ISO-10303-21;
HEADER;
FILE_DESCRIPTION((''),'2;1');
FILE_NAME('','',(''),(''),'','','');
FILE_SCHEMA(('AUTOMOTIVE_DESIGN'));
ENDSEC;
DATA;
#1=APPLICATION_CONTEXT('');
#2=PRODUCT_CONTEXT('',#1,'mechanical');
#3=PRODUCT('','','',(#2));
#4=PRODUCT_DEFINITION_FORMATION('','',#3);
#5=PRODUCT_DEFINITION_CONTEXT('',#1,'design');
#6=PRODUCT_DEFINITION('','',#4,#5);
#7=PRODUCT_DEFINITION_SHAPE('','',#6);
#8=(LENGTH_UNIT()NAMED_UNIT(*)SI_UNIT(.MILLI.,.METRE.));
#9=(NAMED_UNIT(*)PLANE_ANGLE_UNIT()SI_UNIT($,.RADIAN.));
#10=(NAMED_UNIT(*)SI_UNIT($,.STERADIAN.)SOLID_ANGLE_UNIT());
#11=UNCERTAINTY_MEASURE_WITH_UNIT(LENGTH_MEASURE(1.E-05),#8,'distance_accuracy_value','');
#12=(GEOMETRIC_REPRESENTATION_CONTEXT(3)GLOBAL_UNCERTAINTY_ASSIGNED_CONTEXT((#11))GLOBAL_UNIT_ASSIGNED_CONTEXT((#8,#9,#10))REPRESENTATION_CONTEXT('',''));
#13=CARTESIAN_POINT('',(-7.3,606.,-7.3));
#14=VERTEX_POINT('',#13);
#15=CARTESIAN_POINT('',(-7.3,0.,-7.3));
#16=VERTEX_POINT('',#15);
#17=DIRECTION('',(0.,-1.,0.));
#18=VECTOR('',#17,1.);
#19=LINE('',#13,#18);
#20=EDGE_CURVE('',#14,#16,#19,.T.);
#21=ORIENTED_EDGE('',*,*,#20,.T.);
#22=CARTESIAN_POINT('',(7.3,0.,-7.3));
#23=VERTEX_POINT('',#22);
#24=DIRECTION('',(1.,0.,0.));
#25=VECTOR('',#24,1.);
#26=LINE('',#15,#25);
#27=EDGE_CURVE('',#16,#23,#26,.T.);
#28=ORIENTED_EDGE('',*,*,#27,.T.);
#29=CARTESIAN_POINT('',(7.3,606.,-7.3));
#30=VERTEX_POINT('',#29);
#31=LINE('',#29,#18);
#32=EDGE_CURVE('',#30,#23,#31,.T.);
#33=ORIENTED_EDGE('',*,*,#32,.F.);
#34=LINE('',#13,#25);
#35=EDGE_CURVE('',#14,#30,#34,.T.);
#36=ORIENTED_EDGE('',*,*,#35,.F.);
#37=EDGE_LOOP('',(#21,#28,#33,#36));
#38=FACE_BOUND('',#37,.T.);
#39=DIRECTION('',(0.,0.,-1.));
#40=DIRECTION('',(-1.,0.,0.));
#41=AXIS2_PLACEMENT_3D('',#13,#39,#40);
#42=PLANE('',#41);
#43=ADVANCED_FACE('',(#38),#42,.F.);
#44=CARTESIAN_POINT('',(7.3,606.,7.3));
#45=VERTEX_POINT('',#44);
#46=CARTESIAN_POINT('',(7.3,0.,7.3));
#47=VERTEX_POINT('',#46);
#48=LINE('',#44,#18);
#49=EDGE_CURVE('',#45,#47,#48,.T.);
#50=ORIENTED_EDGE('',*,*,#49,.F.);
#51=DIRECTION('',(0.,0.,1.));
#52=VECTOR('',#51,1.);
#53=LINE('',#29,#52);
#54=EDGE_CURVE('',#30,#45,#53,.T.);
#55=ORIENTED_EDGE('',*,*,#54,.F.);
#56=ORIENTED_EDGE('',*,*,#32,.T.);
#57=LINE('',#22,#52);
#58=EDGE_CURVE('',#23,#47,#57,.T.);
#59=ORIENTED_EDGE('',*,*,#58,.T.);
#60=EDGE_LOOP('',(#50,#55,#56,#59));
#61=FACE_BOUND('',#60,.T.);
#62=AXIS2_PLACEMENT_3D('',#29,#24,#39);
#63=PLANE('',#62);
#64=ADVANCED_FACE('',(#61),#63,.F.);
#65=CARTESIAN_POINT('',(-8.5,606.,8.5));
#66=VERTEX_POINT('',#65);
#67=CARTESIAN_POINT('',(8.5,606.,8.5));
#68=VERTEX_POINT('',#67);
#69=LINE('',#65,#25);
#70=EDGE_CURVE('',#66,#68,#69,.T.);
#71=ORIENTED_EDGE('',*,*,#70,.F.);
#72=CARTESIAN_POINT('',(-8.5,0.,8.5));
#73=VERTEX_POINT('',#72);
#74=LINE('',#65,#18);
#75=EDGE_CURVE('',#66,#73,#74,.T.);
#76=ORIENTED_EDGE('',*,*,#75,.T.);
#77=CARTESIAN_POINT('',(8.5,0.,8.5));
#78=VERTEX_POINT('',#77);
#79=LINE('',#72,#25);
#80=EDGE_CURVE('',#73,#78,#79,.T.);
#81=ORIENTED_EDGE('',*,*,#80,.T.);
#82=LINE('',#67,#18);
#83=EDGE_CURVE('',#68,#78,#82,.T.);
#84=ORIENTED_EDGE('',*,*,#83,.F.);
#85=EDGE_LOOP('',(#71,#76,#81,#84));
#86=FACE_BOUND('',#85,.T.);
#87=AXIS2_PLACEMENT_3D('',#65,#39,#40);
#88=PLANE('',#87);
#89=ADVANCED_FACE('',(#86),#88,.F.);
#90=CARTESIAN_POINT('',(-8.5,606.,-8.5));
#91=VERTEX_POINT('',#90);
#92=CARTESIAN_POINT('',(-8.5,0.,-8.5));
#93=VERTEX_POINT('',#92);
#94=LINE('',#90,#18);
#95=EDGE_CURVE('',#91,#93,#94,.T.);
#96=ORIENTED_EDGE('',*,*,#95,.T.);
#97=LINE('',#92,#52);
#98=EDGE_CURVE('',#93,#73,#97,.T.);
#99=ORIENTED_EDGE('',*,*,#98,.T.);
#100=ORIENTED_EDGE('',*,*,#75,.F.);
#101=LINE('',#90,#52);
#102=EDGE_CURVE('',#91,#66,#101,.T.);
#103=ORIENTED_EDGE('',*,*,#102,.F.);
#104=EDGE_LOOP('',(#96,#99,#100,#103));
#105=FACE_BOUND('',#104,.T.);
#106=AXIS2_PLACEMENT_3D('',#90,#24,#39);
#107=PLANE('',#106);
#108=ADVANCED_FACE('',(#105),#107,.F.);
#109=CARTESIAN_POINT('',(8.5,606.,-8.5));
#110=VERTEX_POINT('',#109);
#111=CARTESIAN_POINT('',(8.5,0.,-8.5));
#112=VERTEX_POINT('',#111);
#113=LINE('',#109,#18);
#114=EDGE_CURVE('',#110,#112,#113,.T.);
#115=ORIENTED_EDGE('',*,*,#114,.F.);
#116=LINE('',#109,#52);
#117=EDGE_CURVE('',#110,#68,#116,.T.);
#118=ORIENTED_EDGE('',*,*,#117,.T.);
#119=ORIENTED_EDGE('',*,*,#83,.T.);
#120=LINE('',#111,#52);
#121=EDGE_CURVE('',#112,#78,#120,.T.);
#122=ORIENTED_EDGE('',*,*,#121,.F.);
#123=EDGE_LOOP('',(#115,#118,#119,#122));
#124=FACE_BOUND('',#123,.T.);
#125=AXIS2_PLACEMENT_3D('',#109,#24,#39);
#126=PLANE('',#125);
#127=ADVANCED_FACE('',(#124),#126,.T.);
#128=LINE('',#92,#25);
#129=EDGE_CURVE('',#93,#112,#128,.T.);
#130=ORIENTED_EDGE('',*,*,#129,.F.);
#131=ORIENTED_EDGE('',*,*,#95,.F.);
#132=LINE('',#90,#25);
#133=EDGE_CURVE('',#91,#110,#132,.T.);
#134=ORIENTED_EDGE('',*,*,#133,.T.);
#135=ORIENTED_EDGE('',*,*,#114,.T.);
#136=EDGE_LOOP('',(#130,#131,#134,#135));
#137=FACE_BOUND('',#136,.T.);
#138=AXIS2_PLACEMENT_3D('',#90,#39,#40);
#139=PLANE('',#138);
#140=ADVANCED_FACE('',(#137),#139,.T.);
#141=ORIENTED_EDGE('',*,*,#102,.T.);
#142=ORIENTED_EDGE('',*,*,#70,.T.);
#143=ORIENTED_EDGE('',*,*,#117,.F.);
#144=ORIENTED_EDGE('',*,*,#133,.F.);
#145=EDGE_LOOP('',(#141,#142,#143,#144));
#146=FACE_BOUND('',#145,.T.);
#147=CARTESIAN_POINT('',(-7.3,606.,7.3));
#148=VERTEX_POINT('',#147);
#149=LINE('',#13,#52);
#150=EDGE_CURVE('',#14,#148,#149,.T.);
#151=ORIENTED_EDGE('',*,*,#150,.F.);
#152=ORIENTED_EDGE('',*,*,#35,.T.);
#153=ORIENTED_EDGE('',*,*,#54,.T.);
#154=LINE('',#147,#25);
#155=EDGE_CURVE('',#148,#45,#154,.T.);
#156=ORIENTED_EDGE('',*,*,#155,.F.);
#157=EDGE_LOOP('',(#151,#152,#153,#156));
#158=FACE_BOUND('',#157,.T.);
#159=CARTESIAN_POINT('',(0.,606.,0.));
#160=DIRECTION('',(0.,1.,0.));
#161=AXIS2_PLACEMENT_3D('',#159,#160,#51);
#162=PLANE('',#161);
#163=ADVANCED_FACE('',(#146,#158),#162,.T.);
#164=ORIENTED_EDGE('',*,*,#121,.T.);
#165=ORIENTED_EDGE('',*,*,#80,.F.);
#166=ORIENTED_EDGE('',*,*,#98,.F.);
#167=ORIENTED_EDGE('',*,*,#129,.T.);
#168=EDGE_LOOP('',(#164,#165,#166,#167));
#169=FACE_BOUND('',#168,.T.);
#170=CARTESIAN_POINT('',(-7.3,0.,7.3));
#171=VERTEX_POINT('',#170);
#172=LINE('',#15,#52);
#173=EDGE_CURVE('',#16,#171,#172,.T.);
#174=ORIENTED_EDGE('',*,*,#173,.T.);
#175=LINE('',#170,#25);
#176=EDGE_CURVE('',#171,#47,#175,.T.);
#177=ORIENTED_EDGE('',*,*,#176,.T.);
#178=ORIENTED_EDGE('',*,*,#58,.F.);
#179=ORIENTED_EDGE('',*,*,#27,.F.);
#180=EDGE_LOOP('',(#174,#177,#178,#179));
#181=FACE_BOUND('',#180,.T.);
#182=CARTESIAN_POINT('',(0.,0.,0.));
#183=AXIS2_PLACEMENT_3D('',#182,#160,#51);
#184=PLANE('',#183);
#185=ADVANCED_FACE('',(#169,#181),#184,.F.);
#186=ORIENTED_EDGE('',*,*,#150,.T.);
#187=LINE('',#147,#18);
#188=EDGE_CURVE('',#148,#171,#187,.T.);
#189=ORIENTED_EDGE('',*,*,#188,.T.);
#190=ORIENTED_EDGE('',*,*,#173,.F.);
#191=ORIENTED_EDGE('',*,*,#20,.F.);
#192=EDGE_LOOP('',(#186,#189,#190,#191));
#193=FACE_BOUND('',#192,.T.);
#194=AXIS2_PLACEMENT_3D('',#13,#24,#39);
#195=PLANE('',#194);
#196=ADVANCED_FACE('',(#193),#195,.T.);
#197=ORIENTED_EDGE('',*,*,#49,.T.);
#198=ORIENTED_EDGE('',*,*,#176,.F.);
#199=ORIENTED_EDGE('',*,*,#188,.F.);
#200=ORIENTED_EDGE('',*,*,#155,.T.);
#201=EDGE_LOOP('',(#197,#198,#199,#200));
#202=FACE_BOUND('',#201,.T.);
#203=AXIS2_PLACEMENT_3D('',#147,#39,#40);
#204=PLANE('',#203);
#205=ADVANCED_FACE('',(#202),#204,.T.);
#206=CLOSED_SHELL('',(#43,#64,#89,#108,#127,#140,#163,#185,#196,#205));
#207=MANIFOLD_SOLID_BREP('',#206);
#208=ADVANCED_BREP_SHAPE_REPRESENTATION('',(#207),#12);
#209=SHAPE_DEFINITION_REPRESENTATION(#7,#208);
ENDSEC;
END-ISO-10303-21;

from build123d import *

# Parameters (mm, degrees)
SKETCH1_W           = 17
SKETCH1_H           = 17
SKETCH1_W_2         = 14.6
SKETCH1_H_2         = 14.6
BOSS_EXTRUDE1_DEPTH = 606


with BuildPart() as part:
    # Sketch1 → Boss-Extrude1 (new body)
    with BuildSketch(Plane(origin=(0, 0, 0), x_dir=(1, 0, 0), z_dir=(0, 1, 0))):
        Rectangle(SKETCH1_W, SKETCH1_H)
        Rectangle(SKETCH1_W_2, SKETCH1_H_2, mode=Mode.SUBTRACT)
    extrude(amount=BOSS_EXTRUDE1_DEPTH)


solid = part.part
